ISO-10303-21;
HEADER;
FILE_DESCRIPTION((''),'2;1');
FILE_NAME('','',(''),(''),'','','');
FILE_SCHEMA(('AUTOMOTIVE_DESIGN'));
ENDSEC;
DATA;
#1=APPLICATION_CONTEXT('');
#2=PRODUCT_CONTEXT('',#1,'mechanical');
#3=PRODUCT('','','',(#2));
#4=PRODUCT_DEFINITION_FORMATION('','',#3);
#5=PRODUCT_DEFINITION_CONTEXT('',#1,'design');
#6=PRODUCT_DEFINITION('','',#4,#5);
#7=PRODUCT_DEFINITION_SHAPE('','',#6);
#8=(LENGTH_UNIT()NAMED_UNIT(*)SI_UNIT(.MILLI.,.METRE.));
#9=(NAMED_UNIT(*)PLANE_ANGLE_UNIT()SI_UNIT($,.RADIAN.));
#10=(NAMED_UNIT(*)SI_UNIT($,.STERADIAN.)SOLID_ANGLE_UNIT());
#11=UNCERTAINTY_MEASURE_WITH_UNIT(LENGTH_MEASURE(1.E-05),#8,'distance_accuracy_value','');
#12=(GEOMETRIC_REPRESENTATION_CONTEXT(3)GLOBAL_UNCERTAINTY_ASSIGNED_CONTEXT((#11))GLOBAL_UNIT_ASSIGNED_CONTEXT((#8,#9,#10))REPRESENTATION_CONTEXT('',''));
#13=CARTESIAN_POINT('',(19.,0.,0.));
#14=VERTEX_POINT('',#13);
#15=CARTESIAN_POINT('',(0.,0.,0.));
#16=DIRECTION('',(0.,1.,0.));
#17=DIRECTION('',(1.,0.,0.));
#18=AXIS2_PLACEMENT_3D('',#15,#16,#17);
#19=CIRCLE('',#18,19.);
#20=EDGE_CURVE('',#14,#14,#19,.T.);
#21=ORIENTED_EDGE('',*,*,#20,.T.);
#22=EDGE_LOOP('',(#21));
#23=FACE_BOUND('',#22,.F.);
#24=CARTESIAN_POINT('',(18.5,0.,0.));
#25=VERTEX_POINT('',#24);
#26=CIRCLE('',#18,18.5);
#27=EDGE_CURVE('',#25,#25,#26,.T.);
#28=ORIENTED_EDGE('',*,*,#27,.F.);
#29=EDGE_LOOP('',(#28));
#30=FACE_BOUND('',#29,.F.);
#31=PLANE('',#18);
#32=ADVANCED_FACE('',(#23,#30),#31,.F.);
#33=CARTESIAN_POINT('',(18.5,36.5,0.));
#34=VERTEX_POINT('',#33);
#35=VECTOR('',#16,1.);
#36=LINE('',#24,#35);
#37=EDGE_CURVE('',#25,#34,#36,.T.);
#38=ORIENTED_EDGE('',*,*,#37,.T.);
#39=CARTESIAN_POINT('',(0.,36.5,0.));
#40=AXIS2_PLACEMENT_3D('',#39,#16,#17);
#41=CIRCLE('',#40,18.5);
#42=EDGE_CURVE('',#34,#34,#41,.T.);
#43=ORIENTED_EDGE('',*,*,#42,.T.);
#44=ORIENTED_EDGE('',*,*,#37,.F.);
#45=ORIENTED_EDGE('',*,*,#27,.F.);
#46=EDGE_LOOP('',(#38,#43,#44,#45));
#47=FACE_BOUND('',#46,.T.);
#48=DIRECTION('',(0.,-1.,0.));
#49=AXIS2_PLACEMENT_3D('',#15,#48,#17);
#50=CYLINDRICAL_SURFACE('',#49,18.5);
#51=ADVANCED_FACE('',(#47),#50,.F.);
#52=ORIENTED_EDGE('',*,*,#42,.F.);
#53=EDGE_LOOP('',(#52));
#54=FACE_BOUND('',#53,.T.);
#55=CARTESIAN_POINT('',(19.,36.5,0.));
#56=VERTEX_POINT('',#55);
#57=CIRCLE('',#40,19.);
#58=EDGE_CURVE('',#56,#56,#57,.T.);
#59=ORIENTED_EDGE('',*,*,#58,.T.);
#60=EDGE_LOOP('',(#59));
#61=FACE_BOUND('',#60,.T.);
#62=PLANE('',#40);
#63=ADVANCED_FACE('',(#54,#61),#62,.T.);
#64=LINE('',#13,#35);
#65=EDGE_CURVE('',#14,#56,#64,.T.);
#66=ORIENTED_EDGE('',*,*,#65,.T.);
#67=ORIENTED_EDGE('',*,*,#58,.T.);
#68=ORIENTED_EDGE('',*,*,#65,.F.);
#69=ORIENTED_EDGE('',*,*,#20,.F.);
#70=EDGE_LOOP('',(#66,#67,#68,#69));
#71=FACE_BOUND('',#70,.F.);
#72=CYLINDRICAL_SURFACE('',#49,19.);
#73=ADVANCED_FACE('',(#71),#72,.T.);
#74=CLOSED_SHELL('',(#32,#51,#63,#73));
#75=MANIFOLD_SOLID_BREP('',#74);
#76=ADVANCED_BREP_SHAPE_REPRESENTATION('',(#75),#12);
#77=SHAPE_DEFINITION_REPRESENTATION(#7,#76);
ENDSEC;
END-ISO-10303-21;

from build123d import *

# Parameters (mm, degrees)
SKETCH_1_R      = 19
SKETCH_1_R_2    = 18.5
EXTRUDE_1_DEPTH = 36.5


with BuildPart() as part:
    # 草图1 → 凸台-拉伸1 (new body)
    with BuildSketch(Plane(origin=(0, 0, 0), x_dir=(1, 0, 0), z_dir=(0, 1, 0))):
        Circle(SKETCH_1_R)
        Circle(SKETCH_1_R_2, mode=Mode.SUBTRACT)
    extrude(amount=EXTRUDE_1_DEPTH)


solid = part.part
